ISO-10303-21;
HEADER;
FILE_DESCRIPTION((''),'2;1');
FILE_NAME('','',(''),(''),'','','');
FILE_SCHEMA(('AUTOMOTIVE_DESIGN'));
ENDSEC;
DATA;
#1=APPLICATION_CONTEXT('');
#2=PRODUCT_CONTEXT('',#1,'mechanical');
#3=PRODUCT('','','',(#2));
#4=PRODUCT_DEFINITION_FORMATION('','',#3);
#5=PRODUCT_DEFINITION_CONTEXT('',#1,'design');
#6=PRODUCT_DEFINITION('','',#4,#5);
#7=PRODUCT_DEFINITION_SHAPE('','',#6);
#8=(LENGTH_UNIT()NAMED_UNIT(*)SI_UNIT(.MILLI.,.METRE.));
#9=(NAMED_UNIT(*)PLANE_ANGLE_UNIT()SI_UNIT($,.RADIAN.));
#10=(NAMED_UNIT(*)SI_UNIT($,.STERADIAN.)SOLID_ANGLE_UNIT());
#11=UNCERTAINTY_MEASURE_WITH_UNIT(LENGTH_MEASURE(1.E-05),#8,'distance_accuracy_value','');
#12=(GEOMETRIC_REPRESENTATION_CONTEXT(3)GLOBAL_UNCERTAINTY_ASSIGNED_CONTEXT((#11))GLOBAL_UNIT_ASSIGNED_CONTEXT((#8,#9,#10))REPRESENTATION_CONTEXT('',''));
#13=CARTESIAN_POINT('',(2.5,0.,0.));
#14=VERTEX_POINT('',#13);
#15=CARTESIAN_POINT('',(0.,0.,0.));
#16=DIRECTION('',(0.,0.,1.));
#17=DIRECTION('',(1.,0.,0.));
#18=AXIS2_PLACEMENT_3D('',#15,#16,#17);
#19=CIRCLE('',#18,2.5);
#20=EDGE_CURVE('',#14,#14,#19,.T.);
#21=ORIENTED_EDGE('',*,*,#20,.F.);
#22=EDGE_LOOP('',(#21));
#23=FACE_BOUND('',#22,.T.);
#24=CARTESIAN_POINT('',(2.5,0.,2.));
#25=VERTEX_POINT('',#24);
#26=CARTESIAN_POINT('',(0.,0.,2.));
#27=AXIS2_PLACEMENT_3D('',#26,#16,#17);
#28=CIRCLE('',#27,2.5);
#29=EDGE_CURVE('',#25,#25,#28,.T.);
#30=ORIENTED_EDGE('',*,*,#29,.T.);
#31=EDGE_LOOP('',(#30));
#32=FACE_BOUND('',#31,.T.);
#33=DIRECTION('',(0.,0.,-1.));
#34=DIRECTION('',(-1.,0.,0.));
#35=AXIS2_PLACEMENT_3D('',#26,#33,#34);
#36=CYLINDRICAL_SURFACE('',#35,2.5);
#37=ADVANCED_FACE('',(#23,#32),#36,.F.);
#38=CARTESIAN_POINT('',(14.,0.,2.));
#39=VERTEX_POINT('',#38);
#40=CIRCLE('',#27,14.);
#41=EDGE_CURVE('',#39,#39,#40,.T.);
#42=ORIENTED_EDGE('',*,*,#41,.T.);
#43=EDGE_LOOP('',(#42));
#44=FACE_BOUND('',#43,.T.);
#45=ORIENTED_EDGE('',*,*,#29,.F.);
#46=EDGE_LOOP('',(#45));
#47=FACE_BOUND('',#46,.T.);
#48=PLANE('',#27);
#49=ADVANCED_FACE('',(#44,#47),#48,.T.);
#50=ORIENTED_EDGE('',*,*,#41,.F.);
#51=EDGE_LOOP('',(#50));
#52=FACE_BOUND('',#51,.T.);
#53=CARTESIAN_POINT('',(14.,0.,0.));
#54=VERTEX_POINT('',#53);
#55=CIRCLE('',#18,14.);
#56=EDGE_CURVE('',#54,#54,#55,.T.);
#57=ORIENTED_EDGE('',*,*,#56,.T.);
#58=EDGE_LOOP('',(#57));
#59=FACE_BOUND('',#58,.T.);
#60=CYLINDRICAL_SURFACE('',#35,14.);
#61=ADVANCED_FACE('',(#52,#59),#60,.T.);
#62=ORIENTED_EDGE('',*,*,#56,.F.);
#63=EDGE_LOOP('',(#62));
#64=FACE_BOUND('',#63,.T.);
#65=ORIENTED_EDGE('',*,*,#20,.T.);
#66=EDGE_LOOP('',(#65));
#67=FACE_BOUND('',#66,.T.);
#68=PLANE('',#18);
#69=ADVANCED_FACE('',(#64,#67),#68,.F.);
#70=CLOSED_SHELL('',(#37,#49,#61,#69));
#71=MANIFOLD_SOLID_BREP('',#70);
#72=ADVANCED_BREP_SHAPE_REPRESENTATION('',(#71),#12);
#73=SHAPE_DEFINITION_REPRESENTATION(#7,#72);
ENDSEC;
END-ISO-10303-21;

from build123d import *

# Parameters (mm, degrees)
SKETCH1_R           = 14
SKETCH1_R_2         = 2.5
BOSS_EXTRUDE1_DEPTH = 2


with BuildPart() as part:
    # Sketch1 → Boss-Extrude1 (new body)
    with BuildSketch(Plane.XY):
        Circle(SKETCH1_R)
        Circle(SKETCH1_R_2, mode=Mode.SUBTRACT)
    extrude(amount=BOSS_EXTRUDE1_DEPTH)


solid = part.part
